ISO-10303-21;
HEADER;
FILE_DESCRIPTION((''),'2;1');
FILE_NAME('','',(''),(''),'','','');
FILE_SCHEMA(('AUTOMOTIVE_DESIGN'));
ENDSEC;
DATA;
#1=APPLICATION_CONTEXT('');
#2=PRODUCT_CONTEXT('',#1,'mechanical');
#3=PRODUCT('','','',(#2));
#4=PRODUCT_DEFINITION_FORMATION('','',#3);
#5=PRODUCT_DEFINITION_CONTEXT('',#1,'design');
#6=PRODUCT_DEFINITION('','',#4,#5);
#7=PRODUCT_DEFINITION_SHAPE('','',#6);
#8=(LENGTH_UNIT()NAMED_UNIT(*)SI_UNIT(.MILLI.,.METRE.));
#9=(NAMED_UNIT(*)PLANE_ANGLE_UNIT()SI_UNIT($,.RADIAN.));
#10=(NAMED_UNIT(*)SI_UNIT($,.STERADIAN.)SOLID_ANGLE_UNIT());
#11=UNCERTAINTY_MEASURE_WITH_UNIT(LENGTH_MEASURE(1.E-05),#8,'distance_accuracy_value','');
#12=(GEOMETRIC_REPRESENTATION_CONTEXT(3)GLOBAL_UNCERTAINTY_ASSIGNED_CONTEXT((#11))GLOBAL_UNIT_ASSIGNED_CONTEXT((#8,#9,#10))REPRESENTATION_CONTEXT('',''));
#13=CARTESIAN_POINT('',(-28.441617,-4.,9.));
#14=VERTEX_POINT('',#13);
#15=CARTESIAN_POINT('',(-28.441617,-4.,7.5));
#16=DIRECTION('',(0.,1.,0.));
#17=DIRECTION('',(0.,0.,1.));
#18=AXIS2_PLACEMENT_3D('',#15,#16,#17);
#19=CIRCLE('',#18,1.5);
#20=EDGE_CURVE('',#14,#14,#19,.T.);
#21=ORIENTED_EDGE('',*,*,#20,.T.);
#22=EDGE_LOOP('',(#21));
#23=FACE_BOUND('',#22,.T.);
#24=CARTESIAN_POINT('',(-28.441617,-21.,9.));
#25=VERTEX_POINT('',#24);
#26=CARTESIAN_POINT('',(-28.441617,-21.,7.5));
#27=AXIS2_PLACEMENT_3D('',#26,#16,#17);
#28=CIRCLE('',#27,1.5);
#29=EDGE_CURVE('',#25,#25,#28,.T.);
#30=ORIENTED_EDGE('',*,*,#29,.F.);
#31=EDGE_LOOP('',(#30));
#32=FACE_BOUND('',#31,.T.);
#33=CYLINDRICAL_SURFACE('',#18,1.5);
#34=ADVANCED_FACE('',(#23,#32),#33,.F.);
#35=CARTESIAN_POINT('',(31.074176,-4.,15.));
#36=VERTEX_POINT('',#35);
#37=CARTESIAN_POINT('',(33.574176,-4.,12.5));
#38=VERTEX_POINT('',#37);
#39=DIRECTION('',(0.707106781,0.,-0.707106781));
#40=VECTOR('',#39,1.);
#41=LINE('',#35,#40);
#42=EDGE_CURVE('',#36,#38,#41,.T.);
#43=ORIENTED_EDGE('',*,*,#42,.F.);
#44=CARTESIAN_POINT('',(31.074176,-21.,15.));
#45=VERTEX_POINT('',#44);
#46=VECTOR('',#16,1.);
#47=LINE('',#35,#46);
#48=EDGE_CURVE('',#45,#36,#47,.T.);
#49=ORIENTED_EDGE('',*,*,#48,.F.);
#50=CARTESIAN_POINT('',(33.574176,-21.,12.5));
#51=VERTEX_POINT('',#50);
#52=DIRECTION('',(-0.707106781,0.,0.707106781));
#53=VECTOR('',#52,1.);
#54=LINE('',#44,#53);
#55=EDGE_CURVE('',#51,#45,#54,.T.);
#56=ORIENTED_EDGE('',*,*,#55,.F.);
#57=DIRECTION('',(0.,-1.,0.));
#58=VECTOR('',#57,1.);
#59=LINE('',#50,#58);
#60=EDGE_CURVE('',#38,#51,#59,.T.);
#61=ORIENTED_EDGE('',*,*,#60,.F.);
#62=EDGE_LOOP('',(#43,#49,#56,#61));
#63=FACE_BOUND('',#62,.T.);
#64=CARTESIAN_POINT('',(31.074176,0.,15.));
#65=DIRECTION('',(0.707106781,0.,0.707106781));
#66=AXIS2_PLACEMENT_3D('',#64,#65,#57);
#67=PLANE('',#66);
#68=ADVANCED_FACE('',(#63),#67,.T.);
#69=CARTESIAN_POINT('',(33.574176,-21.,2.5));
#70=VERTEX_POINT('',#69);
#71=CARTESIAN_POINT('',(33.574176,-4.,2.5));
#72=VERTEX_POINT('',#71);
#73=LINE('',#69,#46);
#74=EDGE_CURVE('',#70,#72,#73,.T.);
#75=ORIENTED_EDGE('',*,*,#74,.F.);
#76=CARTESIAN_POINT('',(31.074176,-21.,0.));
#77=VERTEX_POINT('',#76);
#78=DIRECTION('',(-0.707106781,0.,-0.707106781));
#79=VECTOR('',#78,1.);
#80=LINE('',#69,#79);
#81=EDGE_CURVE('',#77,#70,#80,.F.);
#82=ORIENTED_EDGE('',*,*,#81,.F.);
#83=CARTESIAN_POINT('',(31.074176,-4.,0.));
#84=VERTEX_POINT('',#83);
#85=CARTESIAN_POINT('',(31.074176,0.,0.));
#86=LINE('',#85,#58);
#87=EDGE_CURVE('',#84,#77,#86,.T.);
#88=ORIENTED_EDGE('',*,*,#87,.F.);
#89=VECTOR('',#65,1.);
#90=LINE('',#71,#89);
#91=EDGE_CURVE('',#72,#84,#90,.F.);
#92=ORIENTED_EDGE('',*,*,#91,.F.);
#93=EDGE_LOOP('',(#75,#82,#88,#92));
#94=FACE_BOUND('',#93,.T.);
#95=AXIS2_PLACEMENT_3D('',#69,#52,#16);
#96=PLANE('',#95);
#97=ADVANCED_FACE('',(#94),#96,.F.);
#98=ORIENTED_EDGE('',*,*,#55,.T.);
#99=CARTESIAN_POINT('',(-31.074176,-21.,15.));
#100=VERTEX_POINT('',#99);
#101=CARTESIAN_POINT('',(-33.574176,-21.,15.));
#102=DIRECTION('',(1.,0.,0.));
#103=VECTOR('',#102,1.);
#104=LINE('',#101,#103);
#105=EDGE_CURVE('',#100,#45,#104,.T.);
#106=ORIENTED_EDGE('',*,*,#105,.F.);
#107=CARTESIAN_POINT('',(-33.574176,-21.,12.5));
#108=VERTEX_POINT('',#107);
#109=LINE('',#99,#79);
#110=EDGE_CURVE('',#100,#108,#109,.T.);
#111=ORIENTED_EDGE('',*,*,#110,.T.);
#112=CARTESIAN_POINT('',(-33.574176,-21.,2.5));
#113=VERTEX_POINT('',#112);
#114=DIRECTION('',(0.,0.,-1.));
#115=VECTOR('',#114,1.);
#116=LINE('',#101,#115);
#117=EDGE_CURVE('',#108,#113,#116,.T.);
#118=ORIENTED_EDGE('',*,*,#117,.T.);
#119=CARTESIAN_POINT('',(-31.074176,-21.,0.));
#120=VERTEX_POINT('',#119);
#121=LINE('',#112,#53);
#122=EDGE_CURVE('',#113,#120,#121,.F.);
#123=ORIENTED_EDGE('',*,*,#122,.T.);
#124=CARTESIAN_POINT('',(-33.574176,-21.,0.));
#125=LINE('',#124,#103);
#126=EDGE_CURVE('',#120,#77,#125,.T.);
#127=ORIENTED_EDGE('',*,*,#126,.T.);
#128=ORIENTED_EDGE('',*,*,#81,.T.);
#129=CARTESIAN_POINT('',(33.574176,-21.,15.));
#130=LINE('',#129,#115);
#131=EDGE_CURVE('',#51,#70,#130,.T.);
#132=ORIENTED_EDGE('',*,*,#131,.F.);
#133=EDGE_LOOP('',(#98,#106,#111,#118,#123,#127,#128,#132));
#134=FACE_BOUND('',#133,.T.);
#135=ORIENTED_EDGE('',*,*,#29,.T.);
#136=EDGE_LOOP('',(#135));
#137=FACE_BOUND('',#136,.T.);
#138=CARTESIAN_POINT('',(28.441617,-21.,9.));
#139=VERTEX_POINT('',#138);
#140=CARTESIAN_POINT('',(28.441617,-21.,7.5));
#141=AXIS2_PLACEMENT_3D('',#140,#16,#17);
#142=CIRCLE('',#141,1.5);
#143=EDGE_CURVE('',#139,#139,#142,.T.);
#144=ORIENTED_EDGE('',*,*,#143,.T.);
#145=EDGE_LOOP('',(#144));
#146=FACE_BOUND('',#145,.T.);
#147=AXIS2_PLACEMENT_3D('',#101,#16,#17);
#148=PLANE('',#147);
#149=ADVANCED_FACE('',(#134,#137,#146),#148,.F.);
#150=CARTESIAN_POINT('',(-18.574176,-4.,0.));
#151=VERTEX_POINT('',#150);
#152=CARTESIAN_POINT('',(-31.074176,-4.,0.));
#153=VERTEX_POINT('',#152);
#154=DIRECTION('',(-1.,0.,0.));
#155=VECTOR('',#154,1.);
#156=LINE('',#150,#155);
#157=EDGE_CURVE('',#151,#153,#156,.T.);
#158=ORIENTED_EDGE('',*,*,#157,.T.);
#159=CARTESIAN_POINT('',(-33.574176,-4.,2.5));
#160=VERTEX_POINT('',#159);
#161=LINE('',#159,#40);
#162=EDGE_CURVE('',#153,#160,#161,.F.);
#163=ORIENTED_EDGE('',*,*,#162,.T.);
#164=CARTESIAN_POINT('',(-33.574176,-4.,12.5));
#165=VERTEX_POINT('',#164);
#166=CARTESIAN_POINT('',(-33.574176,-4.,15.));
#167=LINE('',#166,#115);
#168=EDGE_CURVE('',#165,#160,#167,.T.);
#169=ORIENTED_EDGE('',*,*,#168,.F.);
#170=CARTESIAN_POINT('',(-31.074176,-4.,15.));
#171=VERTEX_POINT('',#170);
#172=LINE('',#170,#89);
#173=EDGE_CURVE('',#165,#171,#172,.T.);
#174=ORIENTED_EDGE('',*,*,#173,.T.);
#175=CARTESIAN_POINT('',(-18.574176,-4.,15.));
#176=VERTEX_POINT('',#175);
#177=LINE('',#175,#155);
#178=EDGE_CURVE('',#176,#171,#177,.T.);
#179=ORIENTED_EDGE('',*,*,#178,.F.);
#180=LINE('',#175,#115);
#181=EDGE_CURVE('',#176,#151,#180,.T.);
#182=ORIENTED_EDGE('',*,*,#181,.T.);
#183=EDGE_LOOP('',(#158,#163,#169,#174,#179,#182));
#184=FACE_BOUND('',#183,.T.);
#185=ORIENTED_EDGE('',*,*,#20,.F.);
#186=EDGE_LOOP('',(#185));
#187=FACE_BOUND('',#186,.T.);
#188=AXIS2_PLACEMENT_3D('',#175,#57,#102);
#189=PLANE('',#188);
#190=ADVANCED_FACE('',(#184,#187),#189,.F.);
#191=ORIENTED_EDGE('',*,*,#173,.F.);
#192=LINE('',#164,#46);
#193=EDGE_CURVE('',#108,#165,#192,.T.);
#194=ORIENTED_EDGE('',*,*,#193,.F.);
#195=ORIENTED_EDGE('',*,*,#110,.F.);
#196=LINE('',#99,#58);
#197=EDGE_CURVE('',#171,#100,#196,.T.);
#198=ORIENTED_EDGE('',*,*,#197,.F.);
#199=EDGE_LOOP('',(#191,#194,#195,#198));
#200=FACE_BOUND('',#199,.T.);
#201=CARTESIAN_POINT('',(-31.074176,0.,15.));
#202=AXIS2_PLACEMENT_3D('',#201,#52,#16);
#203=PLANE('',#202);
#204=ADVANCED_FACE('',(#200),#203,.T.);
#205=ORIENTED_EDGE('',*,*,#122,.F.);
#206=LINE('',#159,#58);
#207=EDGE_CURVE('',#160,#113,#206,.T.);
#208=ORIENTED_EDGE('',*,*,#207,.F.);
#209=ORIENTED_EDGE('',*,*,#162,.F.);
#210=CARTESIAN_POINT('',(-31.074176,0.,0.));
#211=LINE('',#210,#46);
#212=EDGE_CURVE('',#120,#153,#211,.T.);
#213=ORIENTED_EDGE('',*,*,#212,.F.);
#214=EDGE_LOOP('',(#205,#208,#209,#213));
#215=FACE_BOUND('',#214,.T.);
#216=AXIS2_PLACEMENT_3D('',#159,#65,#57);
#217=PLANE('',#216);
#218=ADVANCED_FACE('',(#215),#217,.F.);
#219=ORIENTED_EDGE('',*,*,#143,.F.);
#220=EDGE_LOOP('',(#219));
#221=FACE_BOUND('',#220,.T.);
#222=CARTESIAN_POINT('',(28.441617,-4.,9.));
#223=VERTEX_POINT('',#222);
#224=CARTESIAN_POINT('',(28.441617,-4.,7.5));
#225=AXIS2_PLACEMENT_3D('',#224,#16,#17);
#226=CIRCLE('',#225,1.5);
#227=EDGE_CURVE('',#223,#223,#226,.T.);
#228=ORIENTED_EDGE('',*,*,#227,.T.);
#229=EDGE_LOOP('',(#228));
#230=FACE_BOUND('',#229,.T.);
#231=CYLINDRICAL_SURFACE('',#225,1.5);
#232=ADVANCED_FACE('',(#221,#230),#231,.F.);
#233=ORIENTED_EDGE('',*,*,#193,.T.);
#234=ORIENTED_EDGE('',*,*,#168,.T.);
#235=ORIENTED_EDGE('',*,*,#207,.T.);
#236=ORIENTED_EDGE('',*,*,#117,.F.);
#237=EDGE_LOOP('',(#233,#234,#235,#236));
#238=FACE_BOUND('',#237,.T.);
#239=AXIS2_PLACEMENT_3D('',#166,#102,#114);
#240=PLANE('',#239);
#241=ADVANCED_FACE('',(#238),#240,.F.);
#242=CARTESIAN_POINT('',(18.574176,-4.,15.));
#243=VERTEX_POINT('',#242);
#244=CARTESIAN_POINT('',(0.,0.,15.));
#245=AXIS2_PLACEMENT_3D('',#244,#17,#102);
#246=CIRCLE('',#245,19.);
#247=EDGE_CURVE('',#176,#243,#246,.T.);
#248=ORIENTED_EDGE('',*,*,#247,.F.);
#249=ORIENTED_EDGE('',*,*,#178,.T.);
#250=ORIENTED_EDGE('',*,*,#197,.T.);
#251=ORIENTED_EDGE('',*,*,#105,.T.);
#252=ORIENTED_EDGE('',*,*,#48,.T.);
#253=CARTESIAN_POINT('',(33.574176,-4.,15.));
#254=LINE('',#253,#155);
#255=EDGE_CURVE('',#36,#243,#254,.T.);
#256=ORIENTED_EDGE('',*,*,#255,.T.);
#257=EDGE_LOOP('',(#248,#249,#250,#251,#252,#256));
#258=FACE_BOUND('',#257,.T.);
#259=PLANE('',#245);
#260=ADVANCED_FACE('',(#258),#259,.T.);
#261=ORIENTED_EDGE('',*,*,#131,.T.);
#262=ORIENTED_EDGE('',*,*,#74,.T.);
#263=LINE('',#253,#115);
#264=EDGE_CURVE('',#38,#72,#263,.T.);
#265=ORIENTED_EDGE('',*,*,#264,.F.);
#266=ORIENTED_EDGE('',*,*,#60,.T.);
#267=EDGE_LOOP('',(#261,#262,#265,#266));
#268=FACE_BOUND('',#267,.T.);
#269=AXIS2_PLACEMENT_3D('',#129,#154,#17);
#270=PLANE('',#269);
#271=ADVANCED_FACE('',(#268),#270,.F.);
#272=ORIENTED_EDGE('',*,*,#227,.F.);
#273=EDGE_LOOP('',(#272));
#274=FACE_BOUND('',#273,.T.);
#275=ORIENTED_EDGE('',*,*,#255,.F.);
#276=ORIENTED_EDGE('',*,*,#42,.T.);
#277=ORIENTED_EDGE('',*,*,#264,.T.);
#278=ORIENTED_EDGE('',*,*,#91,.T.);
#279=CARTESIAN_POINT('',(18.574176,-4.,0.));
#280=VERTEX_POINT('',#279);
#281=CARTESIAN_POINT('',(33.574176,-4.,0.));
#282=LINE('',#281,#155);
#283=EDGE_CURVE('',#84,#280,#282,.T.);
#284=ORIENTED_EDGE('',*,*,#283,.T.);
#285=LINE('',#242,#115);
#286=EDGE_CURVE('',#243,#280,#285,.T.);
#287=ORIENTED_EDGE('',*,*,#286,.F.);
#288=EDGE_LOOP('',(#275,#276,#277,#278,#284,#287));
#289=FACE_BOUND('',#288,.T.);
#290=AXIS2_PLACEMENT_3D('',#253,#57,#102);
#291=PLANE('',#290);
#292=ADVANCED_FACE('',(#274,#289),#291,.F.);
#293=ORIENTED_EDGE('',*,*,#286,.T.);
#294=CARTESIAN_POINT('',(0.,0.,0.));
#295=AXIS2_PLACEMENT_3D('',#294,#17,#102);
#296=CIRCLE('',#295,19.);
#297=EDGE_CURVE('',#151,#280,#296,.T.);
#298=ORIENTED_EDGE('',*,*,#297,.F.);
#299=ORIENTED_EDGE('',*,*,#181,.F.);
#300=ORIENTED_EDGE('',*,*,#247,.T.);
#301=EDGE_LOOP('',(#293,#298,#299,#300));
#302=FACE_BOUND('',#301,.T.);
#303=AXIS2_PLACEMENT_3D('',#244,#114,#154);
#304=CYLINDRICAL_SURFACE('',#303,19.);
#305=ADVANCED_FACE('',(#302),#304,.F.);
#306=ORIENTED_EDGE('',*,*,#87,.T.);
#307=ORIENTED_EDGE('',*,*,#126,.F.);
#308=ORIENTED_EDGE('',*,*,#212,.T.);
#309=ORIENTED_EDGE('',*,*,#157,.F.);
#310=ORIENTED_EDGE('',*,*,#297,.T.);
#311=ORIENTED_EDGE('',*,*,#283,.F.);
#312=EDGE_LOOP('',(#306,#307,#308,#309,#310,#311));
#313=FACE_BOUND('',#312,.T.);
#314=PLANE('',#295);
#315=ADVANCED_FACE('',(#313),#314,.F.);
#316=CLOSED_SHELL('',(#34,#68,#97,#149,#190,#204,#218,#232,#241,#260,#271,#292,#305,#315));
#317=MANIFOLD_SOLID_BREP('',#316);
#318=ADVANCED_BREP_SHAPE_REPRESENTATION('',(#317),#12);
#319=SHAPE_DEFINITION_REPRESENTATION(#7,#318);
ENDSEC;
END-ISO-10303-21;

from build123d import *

# Parameters (mm, degrees)
BOSS_EXTRUDE1_DEPTH       = 15
CHAMFER1_SIZE             = 2.5
SKETCH2_R                 = 1.4
CUT_EXTRUDE1_DEPTH        = 41.512038564
F_3_0MM_DOWEL_HOLE1_D     = 3
F_3_0MM_DOWEL_HOLE1_DEPTH = 31.098709071
F_3_0MM_DOWEL_HOLE1_TIP   = 0.901290929


with BuildPart() as part:
    # Sketch1 → Boss-Extrude1 (new body)
    with BuildSketch(Plane.XY):
        with BuildLine():
            Line((-18.574175621, -4), (-33.574175621, -4))
            Line((-33.574175621, -4), (-33.574175621, -21))
            Line((-33.574175621, -21), (33.574175621, -21))
            Line((33.574175621, -21), (33.574175621, -4))
            Line((33.574175621, -4), (18.574175621, -4))
            ThreePointArc((18.574175621, -4), (0, -19), (-18.574175621, -4))
        make_face()
    extrude(amount=BOSS_EXTRUDE1_DEPTH)

    # Chamfer1
    chamfer1_edges = [part.edges().sort_by_distance(p)[0] for p in [
        (-33.574175621, -12.5, 15),
        (33.574175621, -12.5, 15),
        (-33.574175621, -12.5, 0),
        (33.574175621, -12.5, 0),
    ]]
    chamfer(chamfer1_edges, length=CHAMFER1_SIZE)

    # Sketch2 → Cut-Extrude1 (cut, through all)
    with BuildSketch(Plane(origin=(0, -4, 0), x_dir=(1, 0, 0), z_dir=(0, 1, 0))):
        with Locations(Location((28.441617262, -7.5, 0), (0, 0, 180))):
            Circle(SKETCH2_R)
        with Locations((-28.441617262, -7.5)):
            Circle(SKETCH2_R)
    extrude(amount=-CUT_EXTRUDE1_DEPTH, mode=Mode.SUBTRACT)

    # Ø3.0mm Dowel Hole1
    with Locations(Plane(origin=(0, -4, 0), x_dir=(1, 0, 0), z_dir=(0, 1, 0))):
        with Locations((-28.441617262, -7.5), (28.441617262, -7.5)):
            Hole(F_3_0MM_DOWEL_HOLE1_D / 2, depth=F_3_0MM_DOWEL_HOLE1_DEPTH)
            with Locations((0, 0, -(F_3_0MM_DOWEL_HOLE1_DEPTH + F_3_0MM_DOWEL_HOLE1_TIP / 2))):  # 118° drill point
                Cone(0, F_3_0MM_DOWEL_HOLE1_D / 2, F_3_0MM_DOWEL_HOLE1_TIP, mode=Mode.SUBTRACT)


solid = part.part
